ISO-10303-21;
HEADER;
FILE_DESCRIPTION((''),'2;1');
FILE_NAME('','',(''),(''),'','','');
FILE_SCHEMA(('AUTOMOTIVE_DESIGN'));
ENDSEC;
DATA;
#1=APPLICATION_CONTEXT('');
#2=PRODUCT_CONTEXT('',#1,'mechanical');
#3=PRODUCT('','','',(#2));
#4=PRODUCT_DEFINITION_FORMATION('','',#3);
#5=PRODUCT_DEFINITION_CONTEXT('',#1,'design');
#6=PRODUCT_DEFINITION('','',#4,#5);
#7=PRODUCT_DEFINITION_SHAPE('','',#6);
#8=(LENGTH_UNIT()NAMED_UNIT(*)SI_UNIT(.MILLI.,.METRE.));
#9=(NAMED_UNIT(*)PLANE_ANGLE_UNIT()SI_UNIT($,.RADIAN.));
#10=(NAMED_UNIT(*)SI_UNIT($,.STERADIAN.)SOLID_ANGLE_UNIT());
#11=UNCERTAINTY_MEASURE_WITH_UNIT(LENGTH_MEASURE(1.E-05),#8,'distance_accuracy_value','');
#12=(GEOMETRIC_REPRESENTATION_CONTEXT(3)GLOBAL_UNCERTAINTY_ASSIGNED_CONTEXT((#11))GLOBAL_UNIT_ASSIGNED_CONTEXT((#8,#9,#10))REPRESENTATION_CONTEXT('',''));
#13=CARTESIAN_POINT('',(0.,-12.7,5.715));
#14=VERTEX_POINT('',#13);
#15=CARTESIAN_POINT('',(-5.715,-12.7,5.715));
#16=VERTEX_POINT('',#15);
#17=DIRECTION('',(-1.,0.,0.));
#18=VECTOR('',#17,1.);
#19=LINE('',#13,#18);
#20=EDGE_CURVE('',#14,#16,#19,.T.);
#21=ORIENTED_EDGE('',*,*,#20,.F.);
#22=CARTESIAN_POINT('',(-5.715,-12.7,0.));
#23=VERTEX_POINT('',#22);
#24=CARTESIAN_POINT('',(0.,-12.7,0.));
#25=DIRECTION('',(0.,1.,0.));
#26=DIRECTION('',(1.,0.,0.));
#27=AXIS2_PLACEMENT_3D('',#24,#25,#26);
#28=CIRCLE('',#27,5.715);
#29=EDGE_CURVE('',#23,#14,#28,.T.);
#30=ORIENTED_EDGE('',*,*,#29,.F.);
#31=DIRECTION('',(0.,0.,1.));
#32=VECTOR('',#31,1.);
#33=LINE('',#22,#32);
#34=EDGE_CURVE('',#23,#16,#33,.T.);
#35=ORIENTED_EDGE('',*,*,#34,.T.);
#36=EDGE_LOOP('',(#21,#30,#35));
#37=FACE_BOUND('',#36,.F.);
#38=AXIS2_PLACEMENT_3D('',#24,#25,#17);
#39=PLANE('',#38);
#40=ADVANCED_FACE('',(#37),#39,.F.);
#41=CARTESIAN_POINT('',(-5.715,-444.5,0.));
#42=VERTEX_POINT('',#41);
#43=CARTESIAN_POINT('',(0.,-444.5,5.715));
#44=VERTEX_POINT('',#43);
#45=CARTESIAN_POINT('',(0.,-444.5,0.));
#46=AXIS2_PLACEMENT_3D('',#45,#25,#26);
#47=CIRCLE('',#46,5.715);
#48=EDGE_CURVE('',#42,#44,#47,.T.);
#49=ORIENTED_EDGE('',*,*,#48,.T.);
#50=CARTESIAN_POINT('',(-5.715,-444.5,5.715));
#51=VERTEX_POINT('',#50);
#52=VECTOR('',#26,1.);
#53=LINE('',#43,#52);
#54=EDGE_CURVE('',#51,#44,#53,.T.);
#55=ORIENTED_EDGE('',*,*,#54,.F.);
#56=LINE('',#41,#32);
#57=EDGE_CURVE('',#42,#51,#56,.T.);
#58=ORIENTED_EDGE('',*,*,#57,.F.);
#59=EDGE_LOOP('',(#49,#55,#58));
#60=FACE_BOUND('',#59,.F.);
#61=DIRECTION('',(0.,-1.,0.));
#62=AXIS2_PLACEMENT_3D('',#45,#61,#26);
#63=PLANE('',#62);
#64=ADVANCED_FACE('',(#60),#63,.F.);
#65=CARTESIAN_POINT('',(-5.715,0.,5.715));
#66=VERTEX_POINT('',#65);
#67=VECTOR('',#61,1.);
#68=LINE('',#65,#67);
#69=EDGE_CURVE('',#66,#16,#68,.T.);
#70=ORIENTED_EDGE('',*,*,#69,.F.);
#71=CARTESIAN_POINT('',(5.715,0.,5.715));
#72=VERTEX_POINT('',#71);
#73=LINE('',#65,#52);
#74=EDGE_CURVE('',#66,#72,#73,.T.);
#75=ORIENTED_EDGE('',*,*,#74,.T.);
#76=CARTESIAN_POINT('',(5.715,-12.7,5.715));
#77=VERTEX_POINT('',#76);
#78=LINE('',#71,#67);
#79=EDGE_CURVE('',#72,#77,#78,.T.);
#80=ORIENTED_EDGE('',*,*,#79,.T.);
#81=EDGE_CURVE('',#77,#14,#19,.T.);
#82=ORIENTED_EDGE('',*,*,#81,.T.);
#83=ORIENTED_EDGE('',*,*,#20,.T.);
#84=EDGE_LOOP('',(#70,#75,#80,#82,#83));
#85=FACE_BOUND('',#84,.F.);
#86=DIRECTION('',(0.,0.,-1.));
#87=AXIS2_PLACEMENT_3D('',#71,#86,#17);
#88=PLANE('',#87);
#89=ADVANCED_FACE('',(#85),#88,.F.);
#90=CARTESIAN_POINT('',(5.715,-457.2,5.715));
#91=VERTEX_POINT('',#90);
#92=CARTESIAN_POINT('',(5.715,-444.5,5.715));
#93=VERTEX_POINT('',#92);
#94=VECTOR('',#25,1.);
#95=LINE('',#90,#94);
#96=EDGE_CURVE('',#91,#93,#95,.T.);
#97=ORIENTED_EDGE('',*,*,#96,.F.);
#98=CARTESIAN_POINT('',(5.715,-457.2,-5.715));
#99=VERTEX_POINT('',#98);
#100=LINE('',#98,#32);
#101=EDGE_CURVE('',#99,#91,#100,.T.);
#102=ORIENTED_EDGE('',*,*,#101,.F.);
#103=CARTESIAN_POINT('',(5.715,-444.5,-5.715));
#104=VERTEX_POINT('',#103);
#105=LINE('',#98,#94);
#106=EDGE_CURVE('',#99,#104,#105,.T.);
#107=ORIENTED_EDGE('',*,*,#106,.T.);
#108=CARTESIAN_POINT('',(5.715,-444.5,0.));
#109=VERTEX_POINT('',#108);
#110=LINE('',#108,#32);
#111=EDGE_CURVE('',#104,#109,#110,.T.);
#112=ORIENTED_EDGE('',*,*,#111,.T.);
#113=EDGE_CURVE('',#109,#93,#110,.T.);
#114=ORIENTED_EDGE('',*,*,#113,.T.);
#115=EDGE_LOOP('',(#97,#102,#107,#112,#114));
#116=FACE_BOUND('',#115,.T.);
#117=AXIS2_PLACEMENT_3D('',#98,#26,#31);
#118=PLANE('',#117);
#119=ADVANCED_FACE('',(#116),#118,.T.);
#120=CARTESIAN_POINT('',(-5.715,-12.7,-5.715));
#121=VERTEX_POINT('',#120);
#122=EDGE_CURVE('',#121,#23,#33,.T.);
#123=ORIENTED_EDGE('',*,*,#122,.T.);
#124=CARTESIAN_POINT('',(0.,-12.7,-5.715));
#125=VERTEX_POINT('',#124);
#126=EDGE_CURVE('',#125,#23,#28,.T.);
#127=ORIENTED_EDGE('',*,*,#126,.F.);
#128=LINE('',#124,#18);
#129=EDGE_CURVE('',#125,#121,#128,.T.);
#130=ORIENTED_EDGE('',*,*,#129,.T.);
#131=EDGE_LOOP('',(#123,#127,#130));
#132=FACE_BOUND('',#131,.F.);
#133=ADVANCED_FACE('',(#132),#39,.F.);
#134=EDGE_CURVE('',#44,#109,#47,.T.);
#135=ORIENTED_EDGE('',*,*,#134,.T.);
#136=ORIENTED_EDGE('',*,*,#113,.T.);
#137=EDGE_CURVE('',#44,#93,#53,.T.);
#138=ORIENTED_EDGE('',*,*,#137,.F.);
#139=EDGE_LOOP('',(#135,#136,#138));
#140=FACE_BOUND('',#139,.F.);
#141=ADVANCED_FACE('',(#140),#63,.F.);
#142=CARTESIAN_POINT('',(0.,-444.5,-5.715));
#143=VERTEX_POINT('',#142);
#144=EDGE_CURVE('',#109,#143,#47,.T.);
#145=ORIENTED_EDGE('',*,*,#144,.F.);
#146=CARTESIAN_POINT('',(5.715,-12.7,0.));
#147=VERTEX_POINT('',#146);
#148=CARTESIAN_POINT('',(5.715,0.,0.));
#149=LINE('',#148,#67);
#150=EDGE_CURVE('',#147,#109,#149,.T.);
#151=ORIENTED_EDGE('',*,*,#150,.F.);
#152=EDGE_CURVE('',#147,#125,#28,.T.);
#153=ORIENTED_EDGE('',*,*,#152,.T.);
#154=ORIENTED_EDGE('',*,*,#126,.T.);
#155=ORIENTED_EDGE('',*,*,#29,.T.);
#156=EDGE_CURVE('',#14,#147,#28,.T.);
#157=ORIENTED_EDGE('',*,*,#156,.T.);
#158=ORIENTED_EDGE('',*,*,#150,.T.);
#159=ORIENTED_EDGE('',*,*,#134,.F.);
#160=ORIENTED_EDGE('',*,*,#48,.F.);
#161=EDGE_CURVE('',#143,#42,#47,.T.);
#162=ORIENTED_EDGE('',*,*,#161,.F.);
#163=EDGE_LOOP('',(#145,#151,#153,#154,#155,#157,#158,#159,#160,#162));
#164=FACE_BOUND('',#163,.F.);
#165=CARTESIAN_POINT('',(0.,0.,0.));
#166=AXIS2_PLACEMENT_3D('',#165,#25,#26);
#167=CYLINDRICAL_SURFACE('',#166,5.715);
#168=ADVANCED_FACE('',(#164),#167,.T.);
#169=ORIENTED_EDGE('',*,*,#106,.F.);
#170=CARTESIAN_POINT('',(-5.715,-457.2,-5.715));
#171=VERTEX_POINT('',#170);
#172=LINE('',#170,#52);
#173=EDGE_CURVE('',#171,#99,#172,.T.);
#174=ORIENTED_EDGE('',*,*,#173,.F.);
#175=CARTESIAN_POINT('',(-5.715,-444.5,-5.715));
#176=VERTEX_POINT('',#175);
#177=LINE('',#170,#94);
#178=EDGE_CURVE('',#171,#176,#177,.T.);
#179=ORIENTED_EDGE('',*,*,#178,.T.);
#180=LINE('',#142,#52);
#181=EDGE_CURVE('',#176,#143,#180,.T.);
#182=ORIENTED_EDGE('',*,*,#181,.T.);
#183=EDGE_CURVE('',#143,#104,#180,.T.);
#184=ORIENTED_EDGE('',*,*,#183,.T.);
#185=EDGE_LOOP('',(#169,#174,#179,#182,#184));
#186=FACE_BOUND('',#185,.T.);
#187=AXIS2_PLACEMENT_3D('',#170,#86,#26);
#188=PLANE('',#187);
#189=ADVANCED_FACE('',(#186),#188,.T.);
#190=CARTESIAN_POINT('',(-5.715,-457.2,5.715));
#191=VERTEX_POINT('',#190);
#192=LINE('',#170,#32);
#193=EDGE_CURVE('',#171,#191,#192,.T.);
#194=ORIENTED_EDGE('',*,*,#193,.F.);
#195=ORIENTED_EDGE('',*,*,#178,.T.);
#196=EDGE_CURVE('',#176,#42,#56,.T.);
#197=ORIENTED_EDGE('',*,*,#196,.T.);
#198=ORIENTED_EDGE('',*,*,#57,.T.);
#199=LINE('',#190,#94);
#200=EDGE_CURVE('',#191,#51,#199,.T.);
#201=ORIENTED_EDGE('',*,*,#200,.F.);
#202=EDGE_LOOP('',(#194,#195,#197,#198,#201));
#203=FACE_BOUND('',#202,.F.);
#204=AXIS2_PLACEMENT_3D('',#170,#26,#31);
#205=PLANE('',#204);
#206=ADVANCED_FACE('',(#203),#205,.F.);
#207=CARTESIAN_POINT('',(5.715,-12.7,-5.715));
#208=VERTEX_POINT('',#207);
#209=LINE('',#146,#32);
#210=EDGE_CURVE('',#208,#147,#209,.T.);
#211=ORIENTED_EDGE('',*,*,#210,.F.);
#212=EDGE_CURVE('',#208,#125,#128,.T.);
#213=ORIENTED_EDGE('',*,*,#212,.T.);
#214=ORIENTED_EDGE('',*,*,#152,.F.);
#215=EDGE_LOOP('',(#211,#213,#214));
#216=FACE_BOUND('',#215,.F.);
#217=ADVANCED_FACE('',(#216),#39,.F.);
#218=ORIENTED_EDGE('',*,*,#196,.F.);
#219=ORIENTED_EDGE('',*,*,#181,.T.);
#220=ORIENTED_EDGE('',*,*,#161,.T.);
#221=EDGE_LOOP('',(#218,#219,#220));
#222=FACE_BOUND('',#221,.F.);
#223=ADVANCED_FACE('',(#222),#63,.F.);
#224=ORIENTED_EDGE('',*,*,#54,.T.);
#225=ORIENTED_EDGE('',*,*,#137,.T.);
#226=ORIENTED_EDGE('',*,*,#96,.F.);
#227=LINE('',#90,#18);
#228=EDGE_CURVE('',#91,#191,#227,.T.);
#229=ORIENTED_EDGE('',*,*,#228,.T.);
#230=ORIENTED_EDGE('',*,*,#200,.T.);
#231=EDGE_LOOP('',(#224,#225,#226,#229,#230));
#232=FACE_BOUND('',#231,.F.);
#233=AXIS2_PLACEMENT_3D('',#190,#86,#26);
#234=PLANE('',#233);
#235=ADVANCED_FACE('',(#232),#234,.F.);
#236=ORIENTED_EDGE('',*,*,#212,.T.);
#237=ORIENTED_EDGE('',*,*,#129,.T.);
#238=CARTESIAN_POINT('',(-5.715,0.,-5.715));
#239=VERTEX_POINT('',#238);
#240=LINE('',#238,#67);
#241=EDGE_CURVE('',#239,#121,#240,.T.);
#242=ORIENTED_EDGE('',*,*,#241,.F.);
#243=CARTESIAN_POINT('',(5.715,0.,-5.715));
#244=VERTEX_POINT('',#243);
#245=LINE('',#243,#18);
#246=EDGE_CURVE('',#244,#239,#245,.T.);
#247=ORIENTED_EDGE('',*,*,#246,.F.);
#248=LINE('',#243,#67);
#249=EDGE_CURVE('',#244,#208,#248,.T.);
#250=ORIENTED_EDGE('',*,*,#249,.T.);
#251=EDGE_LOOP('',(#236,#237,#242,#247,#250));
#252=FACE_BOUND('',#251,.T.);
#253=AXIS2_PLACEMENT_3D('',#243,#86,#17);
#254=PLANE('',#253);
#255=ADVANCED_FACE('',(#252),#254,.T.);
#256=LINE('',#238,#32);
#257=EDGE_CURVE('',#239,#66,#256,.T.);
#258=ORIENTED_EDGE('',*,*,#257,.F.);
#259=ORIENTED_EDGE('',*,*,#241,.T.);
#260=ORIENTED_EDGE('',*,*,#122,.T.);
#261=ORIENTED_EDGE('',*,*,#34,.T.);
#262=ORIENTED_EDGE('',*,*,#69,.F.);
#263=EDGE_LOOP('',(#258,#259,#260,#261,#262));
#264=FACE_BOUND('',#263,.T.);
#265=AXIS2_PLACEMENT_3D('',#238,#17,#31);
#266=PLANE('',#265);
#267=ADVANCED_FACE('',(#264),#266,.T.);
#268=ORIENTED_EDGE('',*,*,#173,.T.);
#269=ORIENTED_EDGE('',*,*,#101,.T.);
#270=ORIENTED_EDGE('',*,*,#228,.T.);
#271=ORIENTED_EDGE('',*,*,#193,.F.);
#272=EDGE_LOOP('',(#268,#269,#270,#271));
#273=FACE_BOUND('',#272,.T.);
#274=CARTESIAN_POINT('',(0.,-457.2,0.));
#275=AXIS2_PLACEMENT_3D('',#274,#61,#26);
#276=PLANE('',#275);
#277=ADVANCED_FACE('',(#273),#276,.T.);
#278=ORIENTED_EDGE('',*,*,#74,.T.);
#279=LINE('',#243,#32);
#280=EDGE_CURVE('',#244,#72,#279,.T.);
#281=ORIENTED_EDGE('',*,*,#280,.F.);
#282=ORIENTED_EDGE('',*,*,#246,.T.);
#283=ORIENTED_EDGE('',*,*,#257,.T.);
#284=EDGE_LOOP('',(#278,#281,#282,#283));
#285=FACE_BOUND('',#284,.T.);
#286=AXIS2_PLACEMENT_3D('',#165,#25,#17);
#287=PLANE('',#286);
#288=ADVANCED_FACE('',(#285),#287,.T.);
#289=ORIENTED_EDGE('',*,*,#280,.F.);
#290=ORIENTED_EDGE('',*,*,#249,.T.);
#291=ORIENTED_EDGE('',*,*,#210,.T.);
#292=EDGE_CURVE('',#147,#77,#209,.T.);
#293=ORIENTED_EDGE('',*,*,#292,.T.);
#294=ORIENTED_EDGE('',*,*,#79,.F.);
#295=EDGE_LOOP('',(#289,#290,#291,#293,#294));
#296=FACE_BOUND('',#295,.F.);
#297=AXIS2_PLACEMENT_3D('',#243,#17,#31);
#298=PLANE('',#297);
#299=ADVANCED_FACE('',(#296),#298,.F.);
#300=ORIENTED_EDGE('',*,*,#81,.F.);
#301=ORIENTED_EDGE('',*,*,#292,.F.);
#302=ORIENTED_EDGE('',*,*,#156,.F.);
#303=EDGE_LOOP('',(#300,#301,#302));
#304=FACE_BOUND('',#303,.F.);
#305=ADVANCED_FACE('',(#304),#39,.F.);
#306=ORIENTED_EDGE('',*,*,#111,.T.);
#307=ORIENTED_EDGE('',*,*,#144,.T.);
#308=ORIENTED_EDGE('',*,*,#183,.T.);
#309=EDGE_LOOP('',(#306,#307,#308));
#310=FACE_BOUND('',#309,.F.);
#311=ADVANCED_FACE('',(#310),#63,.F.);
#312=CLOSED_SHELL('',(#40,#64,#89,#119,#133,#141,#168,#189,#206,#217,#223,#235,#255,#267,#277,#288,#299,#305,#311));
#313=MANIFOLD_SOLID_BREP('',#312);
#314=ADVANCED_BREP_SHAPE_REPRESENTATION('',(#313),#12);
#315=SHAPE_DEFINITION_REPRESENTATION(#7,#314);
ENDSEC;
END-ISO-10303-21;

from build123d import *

# Parameters (mm, degrees)
F0_R     = 5.715
F1_DEPTH = 457.2
F2_W     = 11.43
F2_H     = 11.43
F3_DEPTH = 12.7
F4_W     = 11.43
F4_H     = 11.43
F5_DEPTH = 12.7


with BuildPart() as f1:
    # F0 (on Front) → F1 (new body)
    with BuildSketch(Plane.XZ):
        Circle(F0_R)
    extrude(amount=F1_DEPTH)

    # F2 (on face) → F3 (join)
    with BuildSketch(Plane(origin=(0, 0, 0), x_dir=(-1, 0, 0), z_dir=(0, 1, 0))):
        Rectangle(F2_W, F2_H)
    extrude(amount=-F3_DEPTH)

    # F4 (on face) → F5 (join)
    with BuildSketch(Plane.XZ.offset(457.2)):
        Rectangle(F4_W, F4_H)
    extrude(amount=-F5_DEPTH)


solid = f1.part
